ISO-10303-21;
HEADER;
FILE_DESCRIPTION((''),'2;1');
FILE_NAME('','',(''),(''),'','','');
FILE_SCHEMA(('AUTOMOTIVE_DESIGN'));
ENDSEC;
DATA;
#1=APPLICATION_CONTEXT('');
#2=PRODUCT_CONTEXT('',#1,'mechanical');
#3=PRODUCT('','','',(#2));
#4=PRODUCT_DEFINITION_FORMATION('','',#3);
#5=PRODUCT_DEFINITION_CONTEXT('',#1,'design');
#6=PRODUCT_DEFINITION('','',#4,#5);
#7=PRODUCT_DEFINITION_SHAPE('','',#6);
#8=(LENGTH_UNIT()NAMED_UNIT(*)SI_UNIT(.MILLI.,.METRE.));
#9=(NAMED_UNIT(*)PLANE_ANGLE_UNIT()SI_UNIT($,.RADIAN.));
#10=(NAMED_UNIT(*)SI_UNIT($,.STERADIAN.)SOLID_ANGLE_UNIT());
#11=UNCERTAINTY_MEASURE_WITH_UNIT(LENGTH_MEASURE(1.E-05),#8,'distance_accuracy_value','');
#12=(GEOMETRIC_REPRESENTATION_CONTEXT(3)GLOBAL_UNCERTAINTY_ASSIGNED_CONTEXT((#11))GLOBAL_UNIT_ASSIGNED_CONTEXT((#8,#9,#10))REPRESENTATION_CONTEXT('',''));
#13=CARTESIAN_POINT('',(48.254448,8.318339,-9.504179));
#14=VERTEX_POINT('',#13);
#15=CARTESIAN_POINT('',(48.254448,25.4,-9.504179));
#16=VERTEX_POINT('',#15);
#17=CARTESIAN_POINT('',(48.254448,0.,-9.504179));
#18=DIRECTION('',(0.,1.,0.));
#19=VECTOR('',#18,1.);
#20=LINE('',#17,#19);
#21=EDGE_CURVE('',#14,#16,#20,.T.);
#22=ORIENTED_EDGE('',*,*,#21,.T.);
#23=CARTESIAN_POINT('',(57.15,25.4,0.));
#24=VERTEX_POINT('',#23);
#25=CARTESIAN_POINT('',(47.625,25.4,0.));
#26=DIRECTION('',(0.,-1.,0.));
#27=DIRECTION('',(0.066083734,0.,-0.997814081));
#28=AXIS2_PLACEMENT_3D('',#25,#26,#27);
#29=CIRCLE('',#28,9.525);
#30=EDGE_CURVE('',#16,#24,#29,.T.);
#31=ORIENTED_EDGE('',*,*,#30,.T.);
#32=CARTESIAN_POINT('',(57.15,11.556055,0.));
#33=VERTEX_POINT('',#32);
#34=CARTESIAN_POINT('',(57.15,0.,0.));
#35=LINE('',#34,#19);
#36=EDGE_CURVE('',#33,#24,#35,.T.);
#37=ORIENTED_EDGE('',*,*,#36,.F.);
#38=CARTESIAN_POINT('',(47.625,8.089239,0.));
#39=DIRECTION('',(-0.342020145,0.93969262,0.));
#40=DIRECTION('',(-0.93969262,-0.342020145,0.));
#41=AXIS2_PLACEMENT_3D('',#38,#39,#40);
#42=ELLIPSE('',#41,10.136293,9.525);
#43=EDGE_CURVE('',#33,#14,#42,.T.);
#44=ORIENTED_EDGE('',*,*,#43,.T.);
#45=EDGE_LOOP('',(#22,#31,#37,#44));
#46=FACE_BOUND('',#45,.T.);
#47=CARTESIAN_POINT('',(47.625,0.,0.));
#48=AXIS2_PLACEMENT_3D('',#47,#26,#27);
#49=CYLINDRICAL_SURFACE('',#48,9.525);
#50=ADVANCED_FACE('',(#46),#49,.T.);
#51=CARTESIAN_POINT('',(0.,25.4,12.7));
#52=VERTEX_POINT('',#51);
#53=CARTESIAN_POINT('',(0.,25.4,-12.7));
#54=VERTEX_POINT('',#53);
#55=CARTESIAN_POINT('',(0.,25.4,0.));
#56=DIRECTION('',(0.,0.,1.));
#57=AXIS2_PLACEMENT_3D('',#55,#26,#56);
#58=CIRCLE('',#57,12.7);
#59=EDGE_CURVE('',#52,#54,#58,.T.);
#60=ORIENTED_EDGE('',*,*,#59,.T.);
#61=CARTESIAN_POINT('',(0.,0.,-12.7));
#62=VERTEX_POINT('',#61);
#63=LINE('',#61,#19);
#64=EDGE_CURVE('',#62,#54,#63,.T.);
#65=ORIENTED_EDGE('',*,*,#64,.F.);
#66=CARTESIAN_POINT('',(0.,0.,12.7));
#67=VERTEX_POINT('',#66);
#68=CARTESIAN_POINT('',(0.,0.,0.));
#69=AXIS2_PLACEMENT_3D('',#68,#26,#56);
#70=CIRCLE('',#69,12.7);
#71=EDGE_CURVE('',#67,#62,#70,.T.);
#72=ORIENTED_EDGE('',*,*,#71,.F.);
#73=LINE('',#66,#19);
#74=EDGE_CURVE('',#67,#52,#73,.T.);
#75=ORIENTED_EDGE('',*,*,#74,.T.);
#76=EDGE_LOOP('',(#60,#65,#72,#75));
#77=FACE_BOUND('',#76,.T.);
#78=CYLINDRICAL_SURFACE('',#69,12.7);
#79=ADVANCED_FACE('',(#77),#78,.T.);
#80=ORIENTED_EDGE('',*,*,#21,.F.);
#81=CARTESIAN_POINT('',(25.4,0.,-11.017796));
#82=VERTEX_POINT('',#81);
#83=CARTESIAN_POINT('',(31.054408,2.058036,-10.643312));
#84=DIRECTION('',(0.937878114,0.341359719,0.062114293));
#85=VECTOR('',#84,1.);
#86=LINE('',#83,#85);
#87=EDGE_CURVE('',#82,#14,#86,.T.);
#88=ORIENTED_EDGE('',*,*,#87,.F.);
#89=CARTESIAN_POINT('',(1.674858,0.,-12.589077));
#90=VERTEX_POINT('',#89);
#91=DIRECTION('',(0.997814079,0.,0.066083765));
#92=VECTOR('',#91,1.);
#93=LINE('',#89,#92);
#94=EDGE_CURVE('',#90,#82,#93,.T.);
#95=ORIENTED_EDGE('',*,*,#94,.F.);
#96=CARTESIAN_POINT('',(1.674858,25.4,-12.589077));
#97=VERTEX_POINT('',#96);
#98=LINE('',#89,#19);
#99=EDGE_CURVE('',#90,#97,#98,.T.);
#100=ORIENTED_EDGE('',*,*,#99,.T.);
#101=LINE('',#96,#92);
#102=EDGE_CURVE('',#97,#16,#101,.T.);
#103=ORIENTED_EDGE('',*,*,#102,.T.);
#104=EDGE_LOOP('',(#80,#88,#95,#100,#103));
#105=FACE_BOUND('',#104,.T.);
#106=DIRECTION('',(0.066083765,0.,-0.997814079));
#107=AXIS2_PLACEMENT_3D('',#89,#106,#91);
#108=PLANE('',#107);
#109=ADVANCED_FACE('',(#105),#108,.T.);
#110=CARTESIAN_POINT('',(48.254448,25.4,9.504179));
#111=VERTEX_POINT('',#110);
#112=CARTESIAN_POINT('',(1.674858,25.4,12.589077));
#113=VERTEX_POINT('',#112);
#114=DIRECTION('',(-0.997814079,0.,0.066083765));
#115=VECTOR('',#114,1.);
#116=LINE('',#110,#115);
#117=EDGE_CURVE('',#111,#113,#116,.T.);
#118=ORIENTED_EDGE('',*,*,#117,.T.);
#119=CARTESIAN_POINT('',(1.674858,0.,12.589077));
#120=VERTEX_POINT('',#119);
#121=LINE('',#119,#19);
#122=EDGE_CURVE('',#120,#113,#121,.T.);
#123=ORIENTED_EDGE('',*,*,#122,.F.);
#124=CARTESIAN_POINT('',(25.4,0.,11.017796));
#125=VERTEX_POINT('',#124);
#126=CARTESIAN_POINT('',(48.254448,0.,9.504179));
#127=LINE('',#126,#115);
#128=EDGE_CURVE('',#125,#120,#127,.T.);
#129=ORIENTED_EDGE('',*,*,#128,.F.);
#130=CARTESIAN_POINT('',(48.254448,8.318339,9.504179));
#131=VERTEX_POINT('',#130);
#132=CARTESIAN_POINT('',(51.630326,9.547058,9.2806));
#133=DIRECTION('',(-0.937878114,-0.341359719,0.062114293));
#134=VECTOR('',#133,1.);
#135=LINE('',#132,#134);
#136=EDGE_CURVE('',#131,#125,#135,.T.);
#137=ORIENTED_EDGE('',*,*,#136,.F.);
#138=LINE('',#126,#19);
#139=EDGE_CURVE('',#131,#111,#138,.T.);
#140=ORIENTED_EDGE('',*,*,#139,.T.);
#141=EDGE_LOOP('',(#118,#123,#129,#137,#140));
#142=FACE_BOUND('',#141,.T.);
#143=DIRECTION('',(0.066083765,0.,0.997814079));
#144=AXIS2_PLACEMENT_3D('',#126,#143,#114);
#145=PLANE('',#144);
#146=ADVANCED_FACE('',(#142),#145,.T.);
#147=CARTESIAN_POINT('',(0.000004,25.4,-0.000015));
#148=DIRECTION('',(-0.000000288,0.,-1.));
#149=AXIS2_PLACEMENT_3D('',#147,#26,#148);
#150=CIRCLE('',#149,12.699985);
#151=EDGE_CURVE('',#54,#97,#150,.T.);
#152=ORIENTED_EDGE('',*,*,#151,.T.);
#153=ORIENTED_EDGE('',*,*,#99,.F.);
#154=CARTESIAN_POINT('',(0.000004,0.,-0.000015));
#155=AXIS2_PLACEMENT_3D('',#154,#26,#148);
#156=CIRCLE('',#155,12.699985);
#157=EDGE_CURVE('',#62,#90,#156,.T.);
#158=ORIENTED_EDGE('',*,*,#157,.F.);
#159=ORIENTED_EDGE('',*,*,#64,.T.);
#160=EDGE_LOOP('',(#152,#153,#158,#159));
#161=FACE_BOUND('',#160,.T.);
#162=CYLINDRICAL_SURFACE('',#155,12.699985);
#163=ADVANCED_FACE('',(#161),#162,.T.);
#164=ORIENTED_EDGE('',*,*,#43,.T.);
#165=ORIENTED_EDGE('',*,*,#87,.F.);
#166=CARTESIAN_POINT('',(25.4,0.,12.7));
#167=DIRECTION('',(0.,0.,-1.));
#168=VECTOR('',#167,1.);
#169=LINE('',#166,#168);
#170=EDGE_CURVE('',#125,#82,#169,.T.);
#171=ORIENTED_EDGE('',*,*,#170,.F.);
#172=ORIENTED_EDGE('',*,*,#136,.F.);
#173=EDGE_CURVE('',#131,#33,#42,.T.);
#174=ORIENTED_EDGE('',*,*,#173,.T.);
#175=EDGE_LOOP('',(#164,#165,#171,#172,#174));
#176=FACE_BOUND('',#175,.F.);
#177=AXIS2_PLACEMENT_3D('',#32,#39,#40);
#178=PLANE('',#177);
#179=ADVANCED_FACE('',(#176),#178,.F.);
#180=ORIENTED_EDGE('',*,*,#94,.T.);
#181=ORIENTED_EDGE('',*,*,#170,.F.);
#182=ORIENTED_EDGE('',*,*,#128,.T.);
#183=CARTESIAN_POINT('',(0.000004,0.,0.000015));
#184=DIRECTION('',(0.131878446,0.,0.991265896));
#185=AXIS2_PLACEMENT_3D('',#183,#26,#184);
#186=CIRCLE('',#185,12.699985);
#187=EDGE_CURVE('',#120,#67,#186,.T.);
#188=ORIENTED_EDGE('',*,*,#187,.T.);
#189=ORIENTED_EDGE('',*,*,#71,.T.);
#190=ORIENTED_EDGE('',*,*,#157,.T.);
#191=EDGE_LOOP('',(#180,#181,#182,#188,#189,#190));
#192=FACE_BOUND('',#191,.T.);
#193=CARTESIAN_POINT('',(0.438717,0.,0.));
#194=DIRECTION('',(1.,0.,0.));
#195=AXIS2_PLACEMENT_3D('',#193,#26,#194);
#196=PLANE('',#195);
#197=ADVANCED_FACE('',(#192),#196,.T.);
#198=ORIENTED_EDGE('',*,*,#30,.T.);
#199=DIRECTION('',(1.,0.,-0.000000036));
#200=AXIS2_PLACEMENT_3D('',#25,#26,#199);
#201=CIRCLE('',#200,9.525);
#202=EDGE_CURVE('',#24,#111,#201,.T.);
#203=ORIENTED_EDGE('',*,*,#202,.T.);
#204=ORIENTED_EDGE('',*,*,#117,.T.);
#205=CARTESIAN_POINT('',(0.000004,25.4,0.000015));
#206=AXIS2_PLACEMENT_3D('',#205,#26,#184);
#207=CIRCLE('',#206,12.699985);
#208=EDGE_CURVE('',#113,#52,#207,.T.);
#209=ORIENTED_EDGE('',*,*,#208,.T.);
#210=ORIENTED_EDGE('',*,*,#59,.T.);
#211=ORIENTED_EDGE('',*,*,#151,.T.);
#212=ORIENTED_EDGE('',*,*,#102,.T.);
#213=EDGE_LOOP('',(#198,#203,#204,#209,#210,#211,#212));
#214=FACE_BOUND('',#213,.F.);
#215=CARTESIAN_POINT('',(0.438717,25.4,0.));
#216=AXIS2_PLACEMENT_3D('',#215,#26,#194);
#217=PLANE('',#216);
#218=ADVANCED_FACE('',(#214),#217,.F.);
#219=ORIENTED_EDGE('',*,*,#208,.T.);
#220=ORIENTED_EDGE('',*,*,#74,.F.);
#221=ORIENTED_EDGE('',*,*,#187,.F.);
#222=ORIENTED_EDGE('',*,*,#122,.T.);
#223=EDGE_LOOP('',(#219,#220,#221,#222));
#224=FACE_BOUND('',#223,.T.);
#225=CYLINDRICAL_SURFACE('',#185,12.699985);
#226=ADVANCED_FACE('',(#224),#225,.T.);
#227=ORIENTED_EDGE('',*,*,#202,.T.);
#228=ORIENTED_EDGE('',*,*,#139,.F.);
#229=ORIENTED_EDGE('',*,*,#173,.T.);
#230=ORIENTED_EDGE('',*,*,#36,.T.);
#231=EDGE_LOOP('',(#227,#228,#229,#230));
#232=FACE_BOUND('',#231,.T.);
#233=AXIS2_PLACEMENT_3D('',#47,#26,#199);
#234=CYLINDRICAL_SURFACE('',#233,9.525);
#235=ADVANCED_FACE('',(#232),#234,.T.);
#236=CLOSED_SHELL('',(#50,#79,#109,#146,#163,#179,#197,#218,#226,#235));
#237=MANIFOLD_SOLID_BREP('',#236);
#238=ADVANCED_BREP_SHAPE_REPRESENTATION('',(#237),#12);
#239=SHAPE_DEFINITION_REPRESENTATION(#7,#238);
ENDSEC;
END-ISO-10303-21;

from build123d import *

# Parameters (mm, degrees)
F1_DEPTH = 25.4
F3_DEPTH = 12.7


with BuildPart() as f1:
    # F0 (on Front) → F1 (new body)
    with BuildSketch(Plane.XZ):
        with BuildLine():
            Line((1.674858, 12.589077), (0, 12.7))
            ThreePointArc((0, 12.7), (-12.7, 0), (0, -12.7))
            Line((0, -12.7), (1.674858, -12.589077))
            ThreePointArc((1.674858, -12.589077), (9.554075, -8.367177), (12.7, 0))
            ThreePointArc((12.7, 0), (9.554075, 8.367177), (1.674858, 12.589077))
        make_face()
        with BuildLine():
            ThreePointArc((1.674858, 12.589077), (0.839264, 12.672239), (0, 12.7))
            Line((0, 12.7), (1.674858, 12.589077))
        make_face()
        with BuildLine():
            Line((1.674858, -12.589077), (0, -12.7))
            ThreePointArc((0, -12.7), (0.839264, -12.672239), (1.674858, -12.589077))
        make_face()
        with BuildLine():
            Line((48.254448, 9.504179), (1.674858, 12.589077))
            ThreePointArc((1.674858, 12.589077), (9.554075, 8.367177), (12.7, 0))
            ThreePointArc((12.7, 0), (9.554075, -8.367177), (1.674858, -12.589077))
            Line((1.674858, -12.589077), (48.254448, -9.504179))
            ThreePointArc((48.254448, -9.504179), (38.1, 0), (48.254448, 9.504179))
        make_face()
        with BuildLine():
            ThreePointArc((57.15, 0), (54.579176, 6.508845), (48.254448, 9.504179))
            ThreePointArc((48.254448, 9.504179), (38.1, 0), (48.254448, -9.504179))
            ThreePointArc((48.254448, -9.504179), (54.579176, -6.508845), (57.15, 0))
        make_face()
    extrude(amount=-F1_DEPTH)

    # F2 (on Top) → F3 (cut, symmetric)
    with BuildSketch(Plane.XY):
        Polygon((25.4, 0), (57.15, 0), (57.15, 11.556055), align=None)
    extrude(amount=F3_DEPTH, both=True, mode=Mode.SUBTRACT)


solid = f1.part
